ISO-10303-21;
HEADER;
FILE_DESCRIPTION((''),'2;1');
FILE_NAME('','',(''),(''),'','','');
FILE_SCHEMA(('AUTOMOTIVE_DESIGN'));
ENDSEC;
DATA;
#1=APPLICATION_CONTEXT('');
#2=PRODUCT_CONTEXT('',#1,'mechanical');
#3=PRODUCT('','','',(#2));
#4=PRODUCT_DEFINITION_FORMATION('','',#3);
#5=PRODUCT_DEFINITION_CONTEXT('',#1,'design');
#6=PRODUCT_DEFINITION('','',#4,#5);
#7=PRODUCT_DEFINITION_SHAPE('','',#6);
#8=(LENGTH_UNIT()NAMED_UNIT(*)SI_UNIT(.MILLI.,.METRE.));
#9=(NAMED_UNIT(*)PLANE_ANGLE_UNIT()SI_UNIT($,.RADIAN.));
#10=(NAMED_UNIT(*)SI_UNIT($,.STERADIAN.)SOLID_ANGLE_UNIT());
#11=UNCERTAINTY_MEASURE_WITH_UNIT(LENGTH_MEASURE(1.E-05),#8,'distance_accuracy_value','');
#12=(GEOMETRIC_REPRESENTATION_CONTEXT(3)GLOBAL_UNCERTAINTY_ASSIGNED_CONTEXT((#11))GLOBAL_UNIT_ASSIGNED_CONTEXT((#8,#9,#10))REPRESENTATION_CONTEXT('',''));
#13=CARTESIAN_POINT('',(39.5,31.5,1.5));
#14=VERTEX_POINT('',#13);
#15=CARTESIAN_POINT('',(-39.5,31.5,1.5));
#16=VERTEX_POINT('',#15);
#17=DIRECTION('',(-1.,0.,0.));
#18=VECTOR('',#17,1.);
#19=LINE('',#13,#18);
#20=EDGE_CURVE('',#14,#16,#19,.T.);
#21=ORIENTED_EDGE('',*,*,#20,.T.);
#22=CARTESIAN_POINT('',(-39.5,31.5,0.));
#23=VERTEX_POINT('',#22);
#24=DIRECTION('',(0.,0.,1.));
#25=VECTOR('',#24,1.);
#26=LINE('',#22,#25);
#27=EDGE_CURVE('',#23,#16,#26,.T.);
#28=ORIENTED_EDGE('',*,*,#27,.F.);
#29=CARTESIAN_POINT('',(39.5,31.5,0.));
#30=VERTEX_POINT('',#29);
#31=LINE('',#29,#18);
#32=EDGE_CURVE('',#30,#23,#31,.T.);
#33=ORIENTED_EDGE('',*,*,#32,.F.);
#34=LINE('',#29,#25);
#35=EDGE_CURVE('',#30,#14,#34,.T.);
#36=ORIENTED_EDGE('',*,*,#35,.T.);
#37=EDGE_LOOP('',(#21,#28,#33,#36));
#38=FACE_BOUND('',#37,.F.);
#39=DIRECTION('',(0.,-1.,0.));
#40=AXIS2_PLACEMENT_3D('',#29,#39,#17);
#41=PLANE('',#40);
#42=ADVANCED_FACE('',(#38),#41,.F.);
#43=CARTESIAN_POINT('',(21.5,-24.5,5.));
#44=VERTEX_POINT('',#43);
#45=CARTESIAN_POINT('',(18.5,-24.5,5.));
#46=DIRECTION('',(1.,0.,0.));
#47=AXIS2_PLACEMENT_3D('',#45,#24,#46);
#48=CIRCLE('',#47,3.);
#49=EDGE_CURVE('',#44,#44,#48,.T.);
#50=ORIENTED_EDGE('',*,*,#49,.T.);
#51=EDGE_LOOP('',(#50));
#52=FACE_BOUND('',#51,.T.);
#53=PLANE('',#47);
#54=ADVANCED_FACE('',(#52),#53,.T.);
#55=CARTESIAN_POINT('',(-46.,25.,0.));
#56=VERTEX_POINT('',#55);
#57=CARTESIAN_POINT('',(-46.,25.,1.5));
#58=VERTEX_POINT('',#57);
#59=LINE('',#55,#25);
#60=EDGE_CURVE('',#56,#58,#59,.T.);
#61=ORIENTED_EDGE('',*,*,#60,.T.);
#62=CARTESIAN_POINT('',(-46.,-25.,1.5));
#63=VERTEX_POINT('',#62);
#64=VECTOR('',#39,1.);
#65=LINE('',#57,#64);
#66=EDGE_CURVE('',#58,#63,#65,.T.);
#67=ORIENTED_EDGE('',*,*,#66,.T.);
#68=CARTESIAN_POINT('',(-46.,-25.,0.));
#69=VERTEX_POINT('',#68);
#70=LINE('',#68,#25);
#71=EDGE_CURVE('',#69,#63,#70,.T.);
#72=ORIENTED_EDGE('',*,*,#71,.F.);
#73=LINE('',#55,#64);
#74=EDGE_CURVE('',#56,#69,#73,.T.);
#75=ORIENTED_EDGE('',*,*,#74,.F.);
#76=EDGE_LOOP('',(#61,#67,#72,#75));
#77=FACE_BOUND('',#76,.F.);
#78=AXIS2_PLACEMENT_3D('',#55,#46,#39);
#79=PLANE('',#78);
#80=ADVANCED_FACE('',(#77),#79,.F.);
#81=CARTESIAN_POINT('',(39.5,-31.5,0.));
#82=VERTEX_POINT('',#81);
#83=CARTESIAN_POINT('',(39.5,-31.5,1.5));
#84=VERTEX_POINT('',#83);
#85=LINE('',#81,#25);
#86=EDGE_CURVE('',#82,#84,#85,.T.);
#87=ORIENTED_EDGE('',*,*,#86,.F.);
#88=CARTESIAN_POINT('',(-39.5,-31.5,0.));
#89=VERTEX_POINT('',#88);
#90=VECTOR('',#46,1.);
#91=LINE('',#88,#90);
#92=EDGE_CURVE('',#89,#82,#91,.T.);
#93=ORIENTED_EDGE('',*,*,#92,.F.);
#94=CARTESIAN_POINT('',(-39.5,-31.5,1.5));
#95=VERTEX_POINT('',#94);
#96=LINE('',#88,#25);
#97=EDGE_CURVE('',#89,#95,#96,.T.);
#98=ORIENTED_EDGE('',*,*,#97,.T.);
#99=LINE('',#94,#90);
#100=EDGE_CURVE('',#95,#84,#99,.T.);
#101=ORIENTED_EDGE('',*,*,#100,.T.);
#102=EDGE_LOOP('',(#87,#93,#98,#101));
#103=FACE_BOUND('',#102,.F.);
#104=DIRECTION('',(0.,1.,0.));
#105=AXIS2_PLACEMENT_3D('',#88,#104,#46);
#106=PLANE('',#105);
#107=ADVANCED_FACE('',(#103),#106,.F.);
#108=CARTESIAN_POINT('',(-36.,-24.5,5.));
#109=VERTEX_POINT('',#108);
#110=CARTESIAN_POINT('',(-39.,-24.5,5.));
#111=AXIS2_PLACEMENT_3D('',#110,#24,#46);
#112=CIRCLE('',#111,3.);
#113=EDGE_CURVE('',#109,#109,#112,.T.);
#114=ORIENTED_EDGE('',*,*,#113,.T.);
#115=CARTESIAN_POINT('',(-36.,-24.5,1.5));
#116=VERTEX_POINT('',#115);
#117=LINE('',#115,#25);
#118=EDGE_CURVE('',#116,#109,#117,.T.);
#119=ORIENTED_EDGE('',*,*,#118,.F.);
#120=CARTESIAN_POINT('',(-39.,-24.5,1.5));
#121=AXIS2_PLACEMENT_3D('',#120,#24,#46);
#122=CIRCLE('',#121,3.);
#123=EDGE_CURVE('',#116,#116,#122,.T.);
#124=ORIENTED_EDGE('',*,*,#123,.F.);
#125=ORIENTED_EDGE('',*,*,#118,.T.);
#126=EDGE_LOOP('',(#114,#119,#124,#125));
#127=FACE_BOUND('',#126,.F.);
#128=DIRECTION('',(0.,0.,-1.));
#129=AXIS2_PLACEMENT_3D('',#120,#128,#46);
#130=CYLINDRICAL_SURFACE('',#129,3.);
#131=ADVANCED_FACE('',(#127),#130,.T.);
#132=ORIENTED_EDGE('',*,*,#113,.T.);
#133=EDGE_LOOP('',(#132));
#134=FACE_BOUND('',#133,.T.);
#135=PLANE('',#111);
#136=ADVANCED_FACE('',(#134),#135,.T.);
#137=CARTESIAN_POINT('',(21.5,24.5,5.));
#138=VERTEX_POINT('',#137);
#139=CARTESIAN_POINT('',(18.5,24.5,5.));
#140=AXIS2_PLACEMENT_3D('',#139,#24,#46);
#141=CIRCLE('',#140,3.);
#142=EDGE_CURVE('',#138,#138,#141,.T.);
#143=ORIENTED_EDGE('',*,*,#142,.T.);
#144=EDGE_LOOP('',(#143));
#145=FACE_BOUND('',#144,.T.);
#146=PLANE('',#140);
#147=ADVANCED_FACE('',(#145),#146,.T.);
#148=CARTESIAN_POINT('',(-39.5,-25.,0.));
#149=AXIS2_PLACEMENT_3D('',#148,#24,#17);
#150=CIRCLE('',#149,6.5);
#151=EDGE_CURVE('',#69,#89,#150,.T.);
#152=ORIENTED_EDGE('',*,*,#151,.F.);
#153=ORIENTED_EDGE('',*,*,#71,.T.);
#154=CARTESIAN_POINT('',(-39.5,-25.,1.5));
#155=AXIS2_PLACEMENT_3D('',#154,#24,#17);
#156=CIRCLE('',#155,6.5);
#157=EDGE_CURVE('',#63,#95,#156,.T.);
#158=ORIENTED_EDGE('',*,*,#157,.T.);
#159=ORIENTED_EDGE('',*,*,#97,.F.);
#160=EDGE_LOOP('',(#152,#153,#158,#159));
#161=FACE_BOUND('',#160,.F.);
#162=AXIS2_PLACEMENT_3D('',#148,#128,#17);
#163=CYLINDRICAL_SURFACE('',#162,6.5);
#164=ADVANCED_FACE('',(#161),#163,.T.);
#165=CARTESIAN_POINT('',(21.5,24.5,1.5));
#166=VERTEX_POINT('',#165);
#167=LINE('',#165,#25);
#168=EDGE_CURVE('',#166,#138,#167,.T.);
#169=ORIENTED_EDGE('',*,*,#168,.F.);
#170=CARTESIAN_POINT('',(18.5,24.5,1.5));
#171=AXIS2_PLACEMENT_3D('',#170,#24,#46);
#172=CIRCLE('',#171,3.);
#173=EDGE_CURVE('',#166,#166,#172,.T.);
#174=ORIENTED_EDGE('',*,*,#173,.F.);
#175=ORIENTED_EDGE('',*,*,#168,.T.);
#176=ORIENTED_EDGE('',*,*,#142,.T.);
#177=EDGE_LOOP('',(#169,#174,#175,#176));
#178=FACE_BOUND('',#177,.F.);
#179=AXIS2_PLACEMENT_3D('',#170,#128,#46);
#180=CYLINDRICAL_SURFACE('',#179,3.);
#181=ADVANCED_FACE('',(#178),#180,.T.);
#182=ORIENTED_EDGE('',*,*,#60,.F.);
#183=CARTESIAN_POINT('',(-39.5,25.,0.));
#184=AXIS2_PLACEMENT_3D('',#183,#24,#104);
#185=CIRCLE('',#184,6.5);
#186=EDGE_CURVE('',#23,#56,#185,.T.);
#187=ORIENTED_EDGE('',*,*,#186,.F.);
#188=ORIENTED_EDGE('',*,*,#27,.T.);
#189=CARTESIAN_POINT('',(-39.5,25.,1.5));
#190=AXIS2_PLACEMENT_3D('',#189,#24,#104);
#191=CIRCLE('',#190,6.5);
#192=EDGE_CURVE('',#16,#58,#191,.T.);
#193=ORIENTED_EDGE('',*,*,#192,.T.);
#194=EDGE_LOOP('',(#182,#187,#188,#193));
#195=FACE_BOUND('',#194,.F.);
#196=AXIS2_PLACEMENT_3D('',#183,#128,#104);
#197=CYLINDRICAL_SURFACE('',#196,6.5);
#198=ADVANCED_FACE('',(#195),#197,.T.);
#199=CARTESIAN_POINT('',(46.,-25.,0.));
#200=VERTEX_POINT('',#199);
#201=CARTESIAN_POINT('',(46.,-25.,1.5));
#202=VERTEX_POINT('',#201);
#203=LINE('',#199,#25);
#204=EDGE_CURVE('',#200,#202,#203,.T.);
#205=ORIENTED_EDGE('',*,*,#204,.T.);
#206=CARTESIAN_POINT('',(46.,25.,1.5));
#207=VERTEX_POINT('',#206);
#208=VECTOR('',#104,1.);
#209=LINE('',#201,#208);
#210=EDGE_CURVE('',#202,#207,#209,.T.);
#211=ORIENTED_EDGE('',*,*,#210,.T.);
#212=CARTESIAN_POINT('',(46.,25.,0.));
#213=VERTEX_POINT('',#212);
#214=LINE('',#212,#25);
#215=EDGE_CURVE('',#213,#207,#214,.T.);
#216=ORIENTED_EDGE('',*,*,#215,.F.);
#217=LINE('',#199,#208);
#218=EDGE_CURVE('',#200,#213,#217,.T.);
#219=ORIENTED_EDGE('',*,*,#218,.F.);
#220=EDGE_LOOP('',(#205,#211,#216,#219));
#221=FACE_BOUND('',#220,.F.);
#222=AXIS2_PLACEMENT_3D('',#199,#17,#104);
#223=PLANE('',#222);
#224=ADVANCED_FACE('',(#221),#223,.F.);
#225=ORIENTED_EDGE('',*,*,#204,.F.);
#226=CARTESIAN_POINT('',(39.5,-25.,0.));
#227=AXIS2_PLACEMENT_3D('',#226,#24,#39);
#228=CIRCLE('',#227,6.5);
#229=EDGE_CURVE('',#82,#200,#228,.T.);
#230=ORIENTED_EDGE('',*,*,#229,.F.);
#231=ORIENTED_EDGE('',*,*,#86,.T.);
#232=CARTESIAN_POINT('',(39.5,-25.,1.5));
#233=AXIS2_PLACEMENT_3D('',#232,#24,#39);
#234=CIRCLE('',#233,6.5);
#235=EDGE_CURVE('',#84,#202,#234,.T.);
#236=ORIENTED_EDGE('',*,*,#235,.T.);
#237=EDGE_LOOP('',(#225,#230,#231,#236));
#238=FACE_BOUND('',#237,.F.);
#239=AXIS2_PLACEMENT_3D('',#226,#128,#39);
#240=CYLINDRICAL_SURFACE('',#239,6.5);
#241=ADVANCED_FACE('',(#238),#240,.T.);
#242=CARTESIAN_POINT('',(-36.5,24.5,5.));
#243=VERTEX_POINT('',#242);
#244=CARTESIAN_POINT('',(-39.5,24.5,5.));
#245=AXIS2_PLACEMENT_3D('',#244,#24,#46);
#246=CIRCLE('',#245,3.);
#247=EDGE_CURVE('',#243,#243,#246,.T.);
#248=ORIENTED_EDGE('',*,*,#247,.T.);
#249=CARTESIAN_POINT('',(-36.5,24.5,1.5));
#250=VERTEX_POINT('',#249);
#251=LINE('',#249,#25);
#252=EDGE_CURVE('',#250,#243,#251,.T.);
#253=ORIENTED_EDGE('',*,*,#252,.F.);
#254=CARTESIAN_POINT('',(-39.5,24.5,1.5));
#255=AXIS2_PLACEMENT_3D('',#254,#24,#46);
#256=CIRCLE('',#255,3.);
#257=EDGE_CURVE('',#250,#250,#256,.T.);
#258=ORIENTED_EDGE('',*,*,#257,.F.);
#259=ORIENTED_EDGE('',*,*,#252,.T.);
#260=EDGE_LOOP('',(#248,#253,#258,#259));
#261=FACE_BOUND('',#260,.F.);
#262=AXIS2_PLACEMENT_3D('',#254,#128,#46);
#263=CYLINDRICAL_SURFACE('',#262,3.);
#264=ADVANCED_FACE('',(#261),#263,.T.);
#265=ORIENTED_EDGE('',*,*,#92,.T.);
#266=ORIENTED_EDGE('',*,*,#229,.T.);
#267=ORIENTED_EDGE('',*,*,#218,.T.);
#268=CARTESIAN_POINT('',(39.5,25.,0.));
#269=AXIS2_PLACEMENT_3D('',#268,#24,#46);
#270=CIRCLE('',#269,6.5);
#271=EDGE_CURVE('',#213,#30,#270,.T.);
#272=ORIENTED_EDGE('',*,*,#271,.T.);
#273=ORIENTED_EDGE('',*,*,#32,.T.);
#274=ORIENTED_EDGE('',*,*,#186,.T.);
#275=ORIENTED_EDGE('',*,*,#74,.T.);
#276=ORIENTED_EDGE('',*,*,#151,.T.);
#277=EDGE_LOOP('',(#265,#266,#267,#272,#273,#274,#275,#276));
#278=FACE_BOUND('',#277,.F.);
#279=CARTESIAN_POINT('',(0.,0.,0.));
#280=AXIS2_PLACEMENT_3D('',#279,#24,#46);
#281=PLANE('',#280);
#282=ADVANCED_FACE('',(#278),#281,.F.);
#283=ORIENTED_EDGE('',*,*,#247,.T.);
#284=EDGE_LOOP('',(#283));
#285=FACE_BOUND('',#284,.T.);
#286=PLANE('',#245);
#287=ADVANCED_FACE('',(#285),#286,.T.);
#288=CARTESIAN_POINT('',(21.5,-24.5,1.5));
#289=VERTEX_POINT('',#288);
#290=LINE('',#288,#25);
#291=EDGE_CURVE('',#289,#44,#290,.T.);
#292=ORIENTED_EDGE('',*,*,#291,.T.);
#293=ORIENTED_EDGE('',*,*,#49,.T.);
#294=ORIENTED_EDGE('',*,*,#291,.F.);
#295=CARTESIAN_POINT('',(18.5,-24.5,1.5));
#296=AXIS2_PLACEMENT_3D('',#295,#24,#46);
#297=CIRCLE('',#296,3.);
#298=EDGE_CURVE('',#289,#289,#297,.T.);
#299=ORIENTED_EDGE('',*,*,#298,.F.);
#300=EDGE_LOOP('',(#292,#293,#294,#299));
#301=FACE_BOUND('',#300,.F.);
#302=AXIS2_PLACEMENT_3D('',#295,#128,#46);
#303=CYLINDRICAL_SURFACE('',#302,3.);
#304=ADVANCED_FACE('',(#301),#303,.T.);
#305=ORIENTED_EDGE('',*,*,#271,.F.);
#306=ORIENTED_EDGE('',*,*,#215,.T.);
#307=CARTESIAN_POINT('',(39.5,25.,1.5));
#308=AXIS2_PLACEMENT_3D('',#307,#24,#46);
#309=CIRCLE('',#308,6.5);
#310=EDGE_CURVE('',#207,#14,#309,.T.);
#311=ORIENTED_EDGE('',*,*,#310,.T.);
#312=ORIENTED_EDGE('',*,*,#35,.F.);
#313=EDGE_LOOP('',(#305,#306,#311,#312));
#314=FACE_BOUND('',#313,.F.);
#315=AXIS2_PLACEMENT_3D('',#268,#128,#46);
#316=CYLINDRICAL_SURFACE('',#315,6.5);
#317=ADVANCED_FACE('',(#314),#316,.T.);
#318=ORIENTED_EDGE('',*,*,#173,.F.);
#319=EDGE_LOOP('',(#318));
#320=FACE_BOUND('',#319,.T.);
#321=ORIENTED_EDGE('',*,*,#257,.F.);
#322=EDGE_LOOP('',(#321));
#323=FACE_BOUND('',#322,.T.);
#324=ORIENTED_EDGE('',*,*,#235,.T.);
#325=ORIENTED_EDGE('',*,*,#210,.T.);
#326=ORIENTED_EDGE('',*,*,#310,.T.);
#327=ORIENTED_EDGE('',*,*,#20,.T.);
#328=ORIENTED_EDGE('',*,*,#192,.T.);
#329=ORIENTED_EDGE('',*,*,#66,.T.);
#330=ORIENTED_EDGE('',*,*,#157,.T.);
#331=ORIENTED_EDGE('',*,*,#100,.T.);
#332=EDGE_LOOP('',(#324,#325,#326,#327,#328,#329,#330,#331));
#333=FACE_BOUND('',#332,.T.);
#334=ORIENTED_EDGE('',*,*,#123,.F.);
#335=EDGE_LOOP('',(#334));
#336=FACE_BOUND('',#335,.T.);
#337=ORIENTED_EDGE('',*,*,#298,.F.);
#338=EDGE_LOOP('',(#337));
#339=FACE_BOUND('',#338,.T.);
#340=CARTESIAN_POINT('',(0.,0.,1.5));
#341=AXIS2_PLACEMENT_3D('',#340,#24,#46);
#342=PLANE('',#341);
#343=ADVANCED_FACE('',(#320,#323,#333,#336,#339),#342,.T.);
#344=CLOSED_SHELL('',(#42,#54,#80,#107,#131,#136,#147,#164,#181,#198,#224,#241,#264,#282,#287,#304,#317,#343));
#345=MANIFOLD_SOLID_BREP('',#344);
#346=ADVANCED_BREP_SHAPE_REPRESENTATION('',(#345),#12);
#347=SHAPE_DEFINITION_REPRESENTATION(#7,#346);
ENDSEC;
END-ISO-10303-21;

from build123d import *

# Parameters (mm, degrees)
F2_DEPTH = 1.5
F3_R     = 3
F5_DEPTH = 3.5


with BuildPart() as f2:
    # F1 (on Top) → F2 (new body)
    with BuildSketch(Plane.XY):
        with BuildLine():
            Line((39.5, 31.5), (-39.5, 31.5))
            ThreePointArc((-39.5, 31.5), (-44.0961940777, 29.5961940777), (-46, 25))
            Line((-46, 25), (-46, -25))
            ThreePointArc((-46, -25), (-44.0961940777, -29.5961940777), (-39.5, -31.5))
            Line((-39.5, -31.5), (39.5, -31.5))
            ThreePointArc((39.5, -31.5), (44.0961940777, -29.5961940777), (46, -25))
            Line((46, -25), (46, 25))
            ThreePointArc((46, 25), (44.0961940777, 29.5961940777), (39.5, 31.5))
        make_face()
    extrude(amount=F2_DEPTH)

    # F3 (on face) → F5 (join, through all)
    with BuildSketch(Plane.XY.offset(1.5)):
        with Locations((-39.5, 24.5)):
            Circle(F3_R)
        with Locations((18.5, 24.5)):
            Circle(F3_R)
        with Locations((-39, -24.5)):
            Circle(F3_R)
        with Locations((18.5, -24.5)):
            Circle(F3_R)
    extrude(amount=F5_DEPTH)


solid = f2.part
